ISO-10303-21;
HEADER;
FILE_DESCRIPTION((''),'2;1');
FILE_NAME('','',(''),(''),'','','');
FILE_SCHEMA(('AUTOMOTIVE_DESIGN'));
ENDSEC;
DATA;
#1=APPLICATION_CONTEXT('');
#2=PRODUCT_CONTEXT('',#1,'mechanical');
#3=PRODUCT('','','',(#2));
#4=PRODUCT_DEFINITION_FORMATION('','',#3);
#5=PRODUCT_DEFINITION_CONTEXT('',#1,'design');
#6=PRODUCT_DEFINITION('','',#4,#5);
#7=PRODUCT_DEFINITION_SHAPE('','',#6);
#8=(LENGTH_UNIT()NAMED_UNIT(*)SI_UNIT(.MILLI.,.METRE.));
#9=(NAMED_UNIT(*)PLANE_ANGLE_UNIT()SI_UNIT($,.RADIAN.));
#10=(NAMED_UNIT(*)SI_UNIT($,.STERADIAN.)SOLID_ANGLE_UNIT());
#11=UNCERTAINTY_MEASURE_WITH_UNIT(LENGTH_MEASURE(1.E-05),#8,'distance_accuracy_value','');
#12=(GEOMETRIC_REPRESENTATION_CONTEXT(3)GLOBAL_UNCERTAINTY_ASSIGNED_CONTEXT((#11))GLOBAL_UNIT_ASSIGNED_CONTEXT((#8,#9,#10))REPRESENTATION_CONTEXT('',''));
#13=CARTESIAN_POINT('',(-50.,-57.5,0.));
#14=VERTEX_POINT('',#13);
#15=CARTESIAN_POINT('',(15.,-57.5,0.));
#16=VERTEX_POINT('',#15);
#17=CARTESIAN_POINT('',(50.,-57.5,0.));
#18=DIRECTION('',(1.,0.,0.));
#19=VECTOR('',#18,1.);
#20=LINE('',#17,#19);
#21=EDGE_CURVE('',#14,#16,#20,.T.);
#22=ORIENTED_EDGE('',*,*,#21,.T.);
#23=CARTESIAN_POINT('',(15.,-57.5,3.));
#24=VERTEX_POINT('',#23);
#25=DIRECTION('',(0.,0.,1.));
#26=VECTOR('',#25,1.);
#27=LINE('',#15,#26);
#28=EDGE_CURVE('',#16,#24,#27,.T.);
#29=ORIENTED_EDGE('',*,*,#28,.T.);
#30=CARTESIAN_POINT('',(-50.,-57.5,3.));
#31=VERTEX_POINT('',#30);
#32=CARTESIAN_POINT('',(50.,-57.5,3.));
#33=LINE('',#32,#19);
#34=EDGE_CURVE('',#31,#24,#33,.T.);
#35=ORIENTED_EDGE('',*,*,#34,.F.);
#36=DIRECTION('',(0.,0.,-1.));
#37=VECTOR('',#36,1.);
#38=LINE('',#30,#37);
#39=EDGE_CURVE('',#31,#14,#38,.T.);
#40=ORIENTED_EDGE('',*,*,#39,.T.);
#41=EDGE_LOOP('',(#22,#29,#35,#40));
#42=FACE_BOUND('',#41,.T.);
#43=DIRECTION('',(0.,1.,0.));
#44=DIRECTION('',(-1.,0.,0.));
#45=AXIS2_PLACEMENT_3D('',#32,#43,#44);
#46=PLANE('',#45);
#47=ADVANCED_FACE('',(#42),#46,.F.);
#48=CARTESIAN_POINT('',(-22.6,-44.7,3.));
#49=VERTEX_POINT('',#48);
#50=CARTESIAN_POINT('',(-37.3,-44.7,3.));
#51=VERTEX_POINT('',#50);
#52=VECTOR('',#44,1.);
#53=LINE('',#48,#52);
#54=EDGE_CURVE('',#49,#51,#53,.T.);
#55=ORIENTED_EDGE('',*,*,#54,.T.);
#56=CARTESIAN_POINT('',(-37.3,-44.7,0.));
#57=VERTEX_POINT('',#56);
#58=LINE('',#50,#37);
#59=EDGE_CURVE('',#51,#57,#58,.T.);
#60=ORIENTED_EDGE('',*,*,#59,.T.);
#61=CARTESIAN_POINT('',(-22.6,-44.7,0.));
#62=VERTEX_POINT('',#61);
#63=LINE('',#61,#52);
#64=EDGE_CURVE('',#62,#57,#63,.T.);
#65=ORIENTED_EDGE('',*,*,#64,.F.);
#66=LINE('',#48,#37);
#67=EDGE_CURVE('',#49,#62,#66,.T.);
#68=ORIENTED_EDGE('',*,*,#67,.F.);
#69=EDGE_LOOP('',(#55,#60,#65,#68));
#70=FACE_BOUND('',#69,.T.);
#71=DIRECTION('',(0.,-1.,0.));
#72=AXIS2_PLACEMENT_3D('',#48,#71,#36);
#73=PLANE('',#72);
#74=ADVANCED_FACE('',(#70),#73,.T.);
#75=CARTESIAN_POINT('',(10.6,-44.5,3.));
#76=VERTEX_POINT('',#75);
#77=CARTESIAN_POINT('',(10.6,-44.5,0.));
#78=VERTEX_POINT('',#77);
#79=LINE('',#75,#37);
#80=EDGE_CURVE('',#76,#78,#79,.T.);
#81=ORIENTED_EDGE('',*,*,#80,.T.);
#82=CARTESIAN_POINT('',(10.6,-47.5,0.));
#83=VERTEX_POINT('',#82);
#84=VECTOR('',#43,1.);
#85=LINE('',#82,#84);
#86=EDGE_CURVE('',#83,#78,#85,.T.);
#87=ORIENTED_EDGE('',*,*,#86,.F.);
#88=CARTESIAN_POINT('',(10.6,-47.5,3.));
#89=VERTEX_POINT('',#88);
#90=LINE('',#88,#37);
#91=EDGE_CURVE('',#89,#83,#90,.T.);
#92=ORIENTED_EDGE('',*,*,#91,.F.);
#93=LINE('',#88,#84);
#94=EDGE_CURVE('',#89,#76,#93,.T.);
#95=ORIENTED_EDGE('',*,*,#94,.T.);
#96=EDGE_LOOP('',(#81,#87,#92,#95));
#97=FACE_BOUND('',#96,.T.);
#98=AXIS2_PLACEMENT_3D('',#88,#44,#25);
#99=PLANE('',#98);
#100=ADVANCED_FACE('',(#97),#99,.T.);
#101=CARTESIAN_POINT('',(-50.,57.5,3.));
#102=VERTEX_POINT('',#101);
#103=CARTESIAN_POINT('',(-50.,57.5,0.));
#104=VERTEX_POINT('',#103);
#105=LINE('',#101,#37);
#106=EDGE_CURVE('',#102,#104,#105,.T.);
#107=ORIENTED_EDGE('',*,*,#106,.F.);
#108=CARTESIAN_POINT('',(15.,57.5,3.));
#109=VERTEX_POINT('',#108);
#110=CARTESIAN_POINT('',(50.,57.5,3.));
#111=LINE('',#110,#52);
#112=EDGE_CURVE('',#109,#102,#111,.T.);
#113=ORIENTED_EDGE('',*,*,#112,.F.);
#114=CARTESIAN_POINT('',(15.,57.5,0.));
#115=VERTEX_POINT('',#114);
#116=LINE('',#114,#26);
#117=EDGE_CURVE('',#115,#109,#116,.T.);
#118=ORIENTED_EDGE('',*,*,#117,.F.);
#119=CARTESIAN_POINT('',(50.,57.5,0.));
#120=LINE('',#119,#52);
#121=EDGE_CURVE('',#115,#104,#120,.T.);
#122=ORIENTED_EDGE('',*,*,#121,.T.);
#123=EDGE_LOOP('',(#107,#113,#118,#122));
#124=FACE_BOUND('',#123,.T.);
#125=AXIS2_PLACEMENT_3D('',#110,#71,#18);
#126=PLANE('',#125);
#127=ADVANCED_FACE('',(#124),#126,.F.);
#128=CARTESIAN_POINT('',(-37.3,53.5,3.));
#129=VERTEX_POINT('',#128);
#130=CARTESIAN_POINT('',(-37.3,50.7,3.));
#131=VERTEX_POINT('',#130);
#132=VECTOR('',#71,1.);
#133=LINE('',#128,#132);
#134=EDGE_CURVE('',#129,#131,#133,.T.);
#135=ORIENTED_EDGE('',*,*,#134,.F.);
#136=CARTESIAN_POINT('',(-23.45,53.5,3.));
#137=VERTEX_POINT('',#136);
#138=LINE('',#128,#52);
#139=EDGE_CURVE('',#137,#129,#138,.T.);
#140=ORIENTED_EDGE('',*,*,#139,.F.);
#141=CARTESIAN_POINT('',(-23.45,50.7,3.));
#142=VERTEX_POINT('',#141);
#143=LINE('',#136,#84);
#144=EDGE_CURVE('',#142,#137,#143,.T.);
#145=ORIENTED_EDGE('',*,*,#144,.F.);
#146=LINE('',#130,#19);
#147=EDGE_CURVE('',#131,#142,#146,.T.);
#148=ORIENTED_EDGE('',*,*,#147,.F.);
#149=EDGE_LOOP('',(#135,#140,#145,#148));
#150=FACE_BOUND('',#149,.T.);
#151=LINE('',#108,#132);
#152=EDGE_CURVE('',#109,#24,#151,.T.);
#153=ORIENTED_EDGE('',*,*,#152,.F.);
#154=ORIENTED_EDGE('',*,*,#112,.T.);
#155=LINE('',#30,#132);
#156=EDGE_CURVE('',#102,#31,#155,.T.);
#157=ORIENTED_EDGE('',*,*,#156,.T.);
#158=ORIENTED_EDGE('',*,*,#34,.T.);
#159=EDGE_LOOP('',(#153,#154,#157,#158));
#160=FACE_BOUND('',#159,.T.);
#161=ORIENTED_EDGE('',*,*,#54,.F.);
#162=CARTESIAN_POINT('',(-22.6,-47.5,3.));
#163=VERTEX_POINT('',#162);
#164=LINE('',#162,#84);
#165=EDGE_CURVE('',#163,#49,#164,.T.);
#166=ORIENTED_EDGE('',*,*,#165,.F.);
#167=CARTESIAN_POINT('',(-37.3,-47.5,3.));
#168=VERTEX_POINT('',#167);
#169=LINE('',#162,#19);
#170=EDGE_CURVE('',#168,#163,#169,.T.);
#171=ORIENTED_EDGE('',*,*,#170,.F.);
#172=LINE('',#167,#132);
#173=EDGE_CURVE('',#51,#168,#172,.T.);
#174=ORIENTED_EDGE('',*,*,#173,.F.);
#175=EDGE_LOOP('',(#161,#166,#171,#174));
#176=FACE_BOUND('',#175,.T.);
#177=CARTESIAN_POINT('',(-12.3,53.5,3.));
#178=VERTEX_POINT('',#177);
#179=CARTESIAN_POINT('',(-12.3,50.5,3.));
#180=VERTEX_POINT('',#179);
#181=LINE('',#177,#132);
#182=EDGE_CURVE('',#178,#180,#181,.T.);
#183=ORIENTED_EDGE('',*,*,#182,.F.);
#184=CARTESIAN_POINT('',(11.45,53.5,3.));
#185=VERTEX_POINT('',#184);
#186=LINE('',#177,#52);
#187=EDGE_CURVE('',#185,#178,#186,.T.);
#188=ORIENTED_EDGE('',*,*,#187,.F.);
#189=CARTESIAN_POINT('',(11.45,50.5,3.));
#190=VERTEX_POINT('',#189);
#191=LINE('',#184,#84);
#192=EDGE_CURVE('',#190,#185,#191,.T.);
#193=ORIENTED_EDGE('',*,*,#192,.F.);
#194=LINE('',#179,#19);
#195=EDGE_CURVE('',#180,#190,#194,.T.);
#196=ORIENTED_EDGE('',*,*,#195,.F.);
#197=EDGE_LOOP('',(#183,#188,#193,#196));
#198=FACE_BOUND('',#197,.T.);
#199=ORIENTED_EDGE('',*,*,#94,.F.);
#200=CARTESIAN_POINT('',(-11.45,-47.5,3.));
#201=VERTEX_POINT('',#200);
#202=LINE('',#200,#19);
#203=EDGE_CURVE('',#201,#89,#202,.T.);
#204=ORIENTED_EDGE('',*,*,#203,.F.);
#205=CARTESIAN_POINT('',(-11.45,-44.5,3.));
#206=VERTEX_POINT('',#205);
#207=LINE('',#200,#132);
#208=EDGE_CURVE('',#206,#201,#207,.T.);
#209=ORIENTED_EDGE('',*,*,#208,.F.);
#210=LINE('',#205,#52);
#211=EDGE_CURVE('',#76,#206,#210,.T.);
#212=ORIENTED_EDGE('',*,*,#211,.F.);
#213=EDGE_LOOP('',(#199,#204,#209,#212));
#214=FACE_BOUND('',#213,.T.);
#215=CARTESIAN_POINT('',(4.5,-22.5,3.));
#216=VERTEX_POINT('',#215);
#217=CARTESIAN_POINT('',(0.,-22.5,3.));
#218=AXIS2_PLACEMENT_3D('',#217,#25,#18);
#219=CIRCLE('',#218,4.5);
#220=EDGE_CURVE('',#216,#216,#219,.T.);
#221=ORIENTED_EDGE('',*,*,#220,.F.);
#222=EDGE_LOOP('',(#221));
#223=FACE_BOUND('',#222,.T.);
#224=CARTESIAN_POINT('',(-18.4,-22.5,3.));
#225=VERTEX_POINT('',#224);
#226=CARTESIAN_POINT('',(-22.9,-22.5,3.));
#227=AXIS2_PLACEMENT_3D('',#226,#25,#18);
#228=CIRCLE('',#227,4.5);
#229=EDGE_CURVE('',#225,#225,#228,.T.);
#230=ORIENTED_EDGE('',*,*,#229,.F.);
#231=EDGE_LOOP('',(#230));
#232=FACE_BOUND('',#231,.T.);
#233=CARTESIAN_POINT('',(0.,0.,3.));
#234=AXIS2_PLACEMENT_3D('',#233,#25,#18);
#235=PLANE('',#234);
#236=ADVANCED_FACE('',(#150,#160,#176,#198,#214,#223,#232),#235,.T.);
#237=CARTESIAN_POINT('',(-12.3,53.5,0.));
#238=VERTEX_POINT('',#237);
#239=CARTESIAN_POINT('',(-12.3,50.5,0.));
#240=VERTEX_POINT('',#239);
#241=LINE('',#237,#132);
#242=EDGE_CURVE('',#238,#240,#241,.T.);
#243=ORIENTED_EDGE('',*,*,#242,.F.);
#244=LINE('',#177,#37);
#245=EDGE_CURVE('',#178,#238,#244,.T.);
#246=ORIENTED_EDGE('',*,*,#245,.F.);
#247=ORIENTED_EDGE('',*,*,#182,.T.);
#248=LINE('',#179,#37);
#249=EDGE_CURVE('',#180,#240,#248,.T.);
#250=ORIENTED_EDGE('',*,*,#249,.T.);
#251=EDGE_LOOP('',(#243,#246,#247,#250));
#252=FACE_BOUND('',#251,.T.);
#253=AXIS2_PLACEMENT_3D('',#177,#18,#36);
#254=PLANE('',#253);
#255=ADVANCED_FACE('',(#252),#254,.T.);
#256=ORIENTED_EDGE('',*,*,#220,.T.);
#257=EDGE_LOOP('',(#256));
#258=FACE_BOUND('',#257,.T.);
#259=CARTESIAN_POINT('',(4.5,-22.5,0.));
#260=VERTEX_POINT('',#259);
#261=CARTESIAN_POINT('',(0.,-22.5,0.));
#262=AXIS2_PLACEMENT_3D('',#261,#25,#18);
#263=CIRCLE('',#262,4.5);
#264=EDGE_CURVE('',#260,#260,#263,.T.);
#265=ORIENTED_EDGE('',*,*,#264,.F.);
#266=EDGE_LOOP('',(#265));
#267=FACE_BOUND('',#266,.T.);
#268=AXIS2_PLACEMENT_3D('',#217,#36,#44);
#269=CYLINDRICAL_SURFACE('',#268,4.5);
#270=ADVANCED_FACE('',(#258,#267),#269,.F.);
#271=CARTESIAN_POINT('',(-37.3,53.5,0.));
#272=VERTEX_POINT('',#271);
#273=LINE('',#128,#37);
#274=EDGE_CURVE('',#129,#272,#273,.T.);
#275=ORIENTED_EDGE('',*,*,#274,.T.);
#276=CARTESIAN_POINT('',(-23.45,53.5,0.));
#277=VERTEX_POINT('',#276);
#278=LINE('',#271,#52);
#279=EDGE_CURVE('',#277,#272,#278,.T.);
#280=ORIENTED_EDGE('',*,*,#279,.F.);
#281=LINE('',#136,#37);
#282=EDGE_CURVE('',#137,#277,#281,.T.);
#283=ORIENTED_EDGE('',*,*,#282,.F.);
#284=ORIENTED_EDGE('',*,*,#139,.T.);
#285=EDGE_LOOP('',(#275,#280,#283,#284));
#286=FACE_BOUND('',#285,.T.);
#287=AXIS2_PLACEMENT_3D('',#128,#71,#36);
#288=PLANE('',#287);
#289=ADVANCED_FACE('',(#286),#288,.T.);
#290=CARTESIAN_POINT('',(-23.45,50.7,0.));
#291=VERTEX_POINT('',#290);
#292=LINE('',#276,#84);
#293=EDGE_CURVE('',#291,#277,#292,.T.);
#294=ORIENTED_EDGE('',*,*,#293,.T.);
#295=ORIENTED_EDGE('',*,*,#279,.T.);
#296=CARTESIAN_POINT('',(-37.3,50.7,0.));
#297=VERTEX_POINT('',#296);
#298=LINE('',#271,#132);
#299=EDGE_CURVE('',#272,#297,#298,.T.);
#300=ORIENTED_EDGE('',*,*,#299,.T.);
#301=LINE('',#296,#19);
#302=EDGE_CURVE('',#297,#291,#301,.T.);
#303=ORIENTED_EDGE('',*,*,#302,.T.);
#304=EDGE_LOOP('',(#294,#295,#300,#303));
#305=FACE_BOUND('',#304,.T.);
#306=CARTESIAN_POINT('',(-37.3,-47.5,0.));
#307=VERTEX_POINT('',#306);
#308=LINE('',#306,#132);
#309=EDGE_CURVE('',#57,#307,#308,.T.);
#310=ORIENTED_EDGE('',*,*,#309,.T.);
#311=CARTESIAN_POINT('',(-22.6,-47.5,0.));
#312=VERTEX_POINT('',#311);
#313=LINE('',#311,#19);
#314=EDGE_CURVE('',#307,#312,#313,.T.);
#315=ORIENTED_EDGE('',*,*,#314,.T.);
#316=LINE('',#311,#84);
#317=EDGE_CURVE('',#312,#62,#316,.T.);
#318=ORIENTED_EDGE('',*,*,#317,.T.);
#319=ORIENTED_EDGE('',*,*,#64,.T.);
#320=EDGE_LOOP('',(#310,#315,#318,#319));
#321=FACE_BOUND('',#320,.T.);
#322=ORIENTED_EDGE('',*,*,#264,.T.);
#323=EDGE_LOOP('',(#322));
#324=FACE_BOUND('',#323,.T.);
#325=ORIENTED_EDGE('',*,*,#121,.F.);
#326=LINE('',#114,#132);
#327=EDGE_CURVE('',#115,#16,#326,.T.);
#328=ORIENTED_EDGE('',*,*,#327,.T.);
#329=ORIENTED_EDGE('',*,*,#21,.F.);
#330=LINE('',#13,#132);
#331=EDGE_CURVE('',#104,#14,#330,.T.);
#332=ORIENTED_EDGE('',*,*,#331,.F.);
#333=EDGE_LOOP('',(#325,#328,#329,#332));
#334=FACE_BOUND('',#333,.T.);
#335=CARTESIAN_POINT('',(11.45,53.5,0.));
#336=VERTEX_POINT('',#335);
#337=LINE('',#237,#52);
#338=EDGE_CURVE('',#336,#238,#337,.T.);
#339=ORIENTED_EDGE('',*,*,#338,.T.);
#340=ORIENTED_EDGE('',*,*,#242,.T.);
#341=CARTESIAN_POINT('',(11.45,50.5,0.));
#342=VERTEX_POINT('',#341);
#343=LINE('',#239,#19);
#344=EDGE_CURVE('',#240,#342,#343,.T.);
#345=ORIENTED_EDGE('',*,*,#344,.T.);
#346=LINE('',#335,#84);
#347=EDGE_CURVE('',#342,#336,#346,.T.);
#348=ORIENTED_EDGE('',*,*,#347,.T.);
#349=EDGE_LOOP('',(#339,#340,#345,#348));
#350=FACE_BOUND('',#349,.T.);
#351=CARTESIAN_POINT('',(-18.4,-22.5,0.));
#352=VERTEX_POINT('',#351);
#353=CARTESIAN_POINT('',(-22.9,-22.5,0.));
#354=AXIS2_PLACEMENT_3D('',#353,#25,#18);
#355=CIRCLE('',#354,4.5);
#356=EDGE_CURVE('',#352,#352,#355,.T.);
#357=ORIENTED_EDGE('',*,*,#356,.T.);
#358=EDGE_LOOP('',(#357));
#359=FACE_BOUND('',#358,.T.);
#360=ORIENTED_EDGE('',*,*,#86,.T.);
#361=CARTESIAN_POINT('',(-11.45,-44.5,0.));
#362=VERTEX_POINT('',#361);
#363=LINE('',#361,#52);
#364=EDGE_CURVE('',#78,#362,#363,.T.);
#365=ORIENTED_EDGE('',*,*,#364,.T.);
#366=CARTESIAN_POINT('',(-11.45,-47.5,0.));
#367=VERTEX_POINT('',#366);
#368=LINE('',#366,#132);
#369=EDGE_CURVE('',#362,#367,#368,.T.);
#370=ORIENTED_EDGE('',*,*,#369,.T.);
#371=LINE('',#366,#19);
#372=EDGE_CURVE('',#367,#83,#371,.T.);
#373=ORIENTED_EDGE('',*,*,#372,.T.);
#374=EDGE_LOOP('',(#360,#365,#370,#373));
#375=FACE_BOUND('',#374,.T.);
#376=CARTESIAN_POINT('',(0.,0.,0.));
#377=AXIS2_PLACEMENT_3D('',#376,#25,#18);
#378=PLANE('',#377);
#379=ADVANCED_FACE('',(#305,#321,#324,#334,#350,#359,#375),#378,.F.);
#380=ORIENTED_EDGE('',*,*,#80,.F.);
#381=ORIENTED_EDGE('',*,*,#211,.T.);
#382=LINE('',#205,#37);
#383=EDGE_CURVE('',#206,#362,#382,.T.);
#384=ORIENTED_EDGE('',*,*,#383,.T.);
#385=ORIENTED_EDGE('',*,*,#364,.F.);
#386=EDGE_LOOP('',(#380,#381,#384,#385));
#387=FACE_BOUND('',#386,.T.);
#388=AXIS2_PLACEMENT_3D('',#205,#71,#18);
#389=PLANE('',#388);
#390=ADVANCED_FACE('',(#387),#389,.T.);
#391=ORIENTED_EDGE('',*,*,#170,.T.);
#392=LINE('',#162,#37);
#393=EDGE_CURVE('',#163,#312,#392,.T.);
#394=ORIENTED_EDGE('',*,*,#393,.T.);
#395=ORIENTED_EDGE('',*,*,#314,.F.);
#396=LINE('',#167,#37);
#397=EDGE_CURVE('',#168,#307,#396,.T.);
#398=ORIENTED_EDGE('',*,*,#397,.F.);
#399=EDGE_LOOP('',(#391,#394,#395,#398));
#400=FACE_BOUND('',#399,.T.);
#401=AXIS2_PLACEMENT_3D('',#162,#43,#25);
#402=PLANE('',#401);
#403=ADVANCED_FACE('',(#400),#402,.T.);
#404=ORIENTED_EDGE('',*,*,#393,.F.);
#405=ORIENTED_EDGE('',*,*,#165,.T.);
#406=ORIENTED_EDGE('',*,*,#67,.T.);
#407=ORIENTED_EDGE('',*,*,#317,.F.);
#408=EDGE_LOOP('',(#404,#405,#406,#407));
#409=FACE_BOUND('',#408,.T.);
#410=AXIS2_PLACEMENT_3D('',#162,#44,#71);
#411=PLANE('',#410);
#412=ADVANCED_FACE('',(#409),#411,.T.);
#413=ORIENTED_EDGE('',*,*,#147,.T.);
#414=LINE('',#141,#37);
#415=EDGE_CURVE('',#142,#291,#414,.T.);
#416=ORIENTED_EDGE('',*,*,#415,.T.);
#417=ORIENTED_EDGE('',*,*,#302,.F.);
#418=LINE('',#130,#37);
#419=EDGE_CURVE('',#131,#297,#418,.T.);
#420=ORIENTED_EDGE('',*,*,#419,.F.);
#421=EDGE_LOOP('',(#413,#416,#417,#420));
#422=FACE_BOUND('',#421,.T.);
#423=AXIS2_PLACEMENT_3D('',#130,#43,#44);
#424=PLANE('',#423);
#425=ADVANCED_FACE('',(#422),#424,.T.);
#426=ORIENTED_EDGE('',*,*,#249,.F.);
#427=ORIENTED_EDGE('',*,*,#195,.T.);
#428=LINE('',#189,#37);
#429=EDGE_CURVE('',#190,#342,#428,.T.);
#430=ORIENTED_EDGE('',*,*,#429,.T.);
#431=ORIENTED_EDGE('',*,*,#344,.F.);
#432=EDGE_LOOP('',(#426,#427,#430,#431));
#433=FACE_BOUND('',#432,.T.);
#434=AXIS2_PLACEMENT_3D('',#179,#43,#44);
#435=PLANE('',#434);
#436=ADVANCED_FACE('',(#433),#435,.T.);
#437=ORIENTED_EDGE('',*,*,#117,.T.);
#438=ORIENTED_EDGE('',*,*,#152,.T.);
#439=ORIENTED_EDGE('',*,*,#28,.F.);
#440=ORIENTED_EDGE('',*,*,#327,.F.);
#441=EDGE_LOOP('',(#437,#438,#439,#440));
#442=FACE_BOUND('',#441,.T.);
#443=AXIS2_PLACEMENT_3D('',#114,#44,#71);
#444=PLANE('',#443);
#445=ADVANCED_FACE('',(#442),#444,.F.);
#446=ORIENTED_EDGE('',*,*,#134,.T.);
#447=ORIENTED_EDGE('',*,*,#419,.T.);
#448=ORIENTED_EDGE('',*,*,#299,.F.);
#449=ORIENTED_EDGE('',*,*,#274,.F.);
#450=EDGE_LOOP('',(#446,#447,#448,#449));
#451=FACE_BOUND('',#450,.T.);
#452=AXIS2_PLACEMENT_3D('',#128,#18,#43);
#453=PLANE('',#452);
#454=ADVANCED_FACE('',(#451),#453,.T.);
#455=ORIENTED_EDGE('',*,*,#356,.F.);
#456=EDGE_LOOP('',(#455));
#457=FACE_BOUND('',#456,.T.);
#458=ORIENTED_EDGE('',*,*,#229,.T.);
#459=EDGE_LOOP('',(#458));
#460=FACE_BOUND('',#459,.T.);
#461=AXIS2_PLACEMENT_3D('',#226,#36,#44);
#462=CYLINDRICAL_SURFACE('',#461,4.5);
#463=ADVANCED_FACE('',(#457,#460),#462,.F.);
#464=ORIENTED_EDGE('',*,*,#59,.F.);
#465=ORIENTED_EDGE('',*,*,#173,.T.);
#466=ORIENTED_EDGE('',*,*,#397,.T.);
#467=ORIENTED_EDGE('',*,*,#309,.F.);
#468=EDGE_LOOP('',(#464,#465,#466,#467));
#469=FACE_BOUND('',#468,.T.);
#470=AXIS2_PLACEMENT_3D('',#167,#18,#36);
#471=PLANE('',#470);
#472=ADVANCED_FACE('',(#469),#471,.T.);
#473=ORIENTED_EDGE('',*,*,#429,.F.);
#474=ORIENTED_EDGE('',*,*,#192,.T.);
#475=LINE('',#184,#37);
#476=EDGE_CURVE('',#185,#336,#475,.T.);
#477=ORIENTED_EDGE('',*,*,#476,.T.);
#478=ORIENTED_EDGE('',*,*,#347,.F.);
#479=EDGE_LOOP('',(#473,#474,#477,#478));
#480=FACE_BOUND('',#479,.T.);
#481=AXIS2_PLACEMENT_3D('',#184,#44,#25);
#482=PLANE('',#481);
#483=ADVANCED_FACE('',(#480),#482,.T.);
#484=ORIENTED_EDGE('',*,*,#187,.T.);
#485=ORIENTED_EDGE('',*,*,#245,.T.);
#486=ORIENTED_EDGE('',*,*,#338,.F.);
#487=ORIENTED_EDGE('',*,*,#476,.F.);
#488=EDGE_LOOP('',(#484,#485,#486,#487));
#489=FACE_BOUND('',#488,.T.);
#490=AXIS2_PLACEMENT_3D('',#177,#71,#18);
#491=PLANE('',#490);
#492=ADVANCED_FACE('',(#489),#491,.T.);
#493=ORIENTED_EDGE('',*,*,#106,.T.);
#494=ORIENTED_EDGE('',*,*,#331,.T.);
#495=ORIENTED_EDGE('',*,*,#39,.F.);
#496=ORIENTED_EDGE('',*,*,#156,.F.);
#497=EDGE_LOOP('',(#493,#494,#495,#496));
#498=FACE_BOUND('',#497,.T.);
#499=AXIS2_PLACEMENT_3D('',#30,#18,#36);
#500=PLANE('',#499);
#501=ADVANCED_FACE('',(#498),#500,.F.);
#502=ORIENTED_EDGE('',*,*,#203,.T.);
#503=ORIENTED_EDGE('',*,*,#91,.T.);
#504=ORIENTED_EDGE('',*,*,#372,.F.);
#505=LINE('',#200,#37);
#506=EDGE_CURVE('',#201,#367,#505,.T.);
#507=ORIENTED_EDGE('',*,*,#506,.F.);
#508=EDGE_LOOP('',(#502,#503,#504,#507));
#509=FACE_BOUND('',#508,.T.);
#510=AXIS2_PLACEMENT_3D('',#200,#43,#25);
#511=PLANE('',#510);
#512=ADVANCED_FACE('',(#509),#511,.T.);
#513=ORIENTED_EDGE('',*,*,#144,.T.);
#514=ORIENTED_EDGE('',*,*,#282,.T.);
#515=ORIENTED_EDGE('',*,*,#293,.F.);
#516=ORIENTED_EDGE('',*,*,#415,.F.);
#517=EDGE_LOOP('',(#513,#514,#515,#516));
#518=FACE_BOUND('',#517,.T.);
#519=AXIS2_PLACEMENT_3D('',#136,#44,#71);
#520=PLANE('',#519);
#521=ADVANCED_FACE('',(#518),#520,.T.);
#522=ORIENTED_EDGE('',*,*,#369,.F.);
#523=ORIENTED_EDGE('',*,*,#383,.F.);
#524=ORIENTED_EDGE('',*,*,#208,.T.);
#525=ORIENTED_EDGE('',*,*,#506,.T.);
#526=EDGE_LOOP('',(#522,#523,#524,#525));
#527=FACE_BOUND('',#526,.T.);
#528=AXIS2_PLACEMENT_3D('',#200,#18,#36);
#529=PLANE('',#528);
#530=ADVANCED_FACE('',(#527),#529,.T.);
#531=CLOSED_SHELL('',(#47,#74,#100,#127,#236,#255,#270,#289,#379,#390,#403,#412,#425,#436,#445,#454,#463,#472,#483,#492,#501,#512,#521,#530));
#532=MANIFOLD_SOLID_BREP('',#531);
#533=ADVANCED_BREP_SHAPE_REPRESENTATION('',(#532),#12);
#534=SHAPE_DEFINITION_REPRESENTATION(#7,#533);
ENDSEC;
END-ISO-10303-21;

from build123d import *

# Parameters (mm, degrees)
CROQUIS1_W              = 100
CROQUIS1_H              = 115
CROQUIS1_R              = 4.5
CROQUIS1_W_2            = 14.7
CROQUIS1_H_2            = 2.8
CROQUIS1_W_3            = 22.05
CROQUIS1_H_3            = 3
CROQUIS1_W_4            = 13.85
CROQUIS1_W_5            = 23.75
SALIENTE_EXTRUIR1_DEPTH = 3
CROQUIS2_W              = 35
CROQUIS2_H              = 115
CORTAR_EXTRUIR1_DEPTH   = 4


with BuildPart() as part:
    # Croquis1 → Saliente-Extruir1 (new body)
    with BuildSketch(Plane.XY):
        Rectangle(CROQUIS1_W, CROQUIS1_H)
        with Locations((0, -22.5)):
            Circle(CROQUIS1_R, mode=Mode.SUBTRACT)
        with Locations((-22.9, -22.5)):
            Circle(CROQUIS1_R, mode=Mode.SUBTRACT)
        with Locations((24.1, -22.5)):
            Circle(CROQUIS1_R, mode=Mode.SUBTRACT)
        with Locations((29.95, -46.1)):
            Rectangle(CROQUIS1_W_2, CROQUIS1_H_2, mode=Mode.SUBTRACT)
        with Locations((-29.95, -46.1)):
            Rectangle(CROQUIS1_W_2, CROQUIS1_H_2, mode=Mode.SUBTRACT)
        with Locations((-0.425, -46)):
            Rectangle(CROQUIS1_W_3, CROQUIS1_H_3, mode=Mode.SUBTRACT)
        with Locations((30.375, 52.1)):
            Rectangle(CROQUIS1_W_4, CROQUIS1_H_2, mode=Mode.SUBTRACT)
        with Locations((-30.375, 52.1)):
            Rectangle(CROQUIS1_W_4, CROQUIS1_H_2, mode=Mode.SUBTRACT)
        with Locations((-0.425, 52)):
            Rectangle(CROQUIS1_W_5, CROQUIS1_H_3, mode=Mode.SUBTRACT)
    extrude(amount=SALIENTE_EXTRUIR1_DEPTH)

    # Croquis2 → Cortar-Extruir1 (cut, through all)
    with BuildSketch(Plane.XY.offset(3)):
        with Locations((32.5, 0)):
            Rectangle(CROQUIS2_W, CROQUIS2_H)
    extrude(amount=-CORTAR_EXTRUIR1_DEPTH, mode=Mode.SUBTRACT)


solid = part.part
